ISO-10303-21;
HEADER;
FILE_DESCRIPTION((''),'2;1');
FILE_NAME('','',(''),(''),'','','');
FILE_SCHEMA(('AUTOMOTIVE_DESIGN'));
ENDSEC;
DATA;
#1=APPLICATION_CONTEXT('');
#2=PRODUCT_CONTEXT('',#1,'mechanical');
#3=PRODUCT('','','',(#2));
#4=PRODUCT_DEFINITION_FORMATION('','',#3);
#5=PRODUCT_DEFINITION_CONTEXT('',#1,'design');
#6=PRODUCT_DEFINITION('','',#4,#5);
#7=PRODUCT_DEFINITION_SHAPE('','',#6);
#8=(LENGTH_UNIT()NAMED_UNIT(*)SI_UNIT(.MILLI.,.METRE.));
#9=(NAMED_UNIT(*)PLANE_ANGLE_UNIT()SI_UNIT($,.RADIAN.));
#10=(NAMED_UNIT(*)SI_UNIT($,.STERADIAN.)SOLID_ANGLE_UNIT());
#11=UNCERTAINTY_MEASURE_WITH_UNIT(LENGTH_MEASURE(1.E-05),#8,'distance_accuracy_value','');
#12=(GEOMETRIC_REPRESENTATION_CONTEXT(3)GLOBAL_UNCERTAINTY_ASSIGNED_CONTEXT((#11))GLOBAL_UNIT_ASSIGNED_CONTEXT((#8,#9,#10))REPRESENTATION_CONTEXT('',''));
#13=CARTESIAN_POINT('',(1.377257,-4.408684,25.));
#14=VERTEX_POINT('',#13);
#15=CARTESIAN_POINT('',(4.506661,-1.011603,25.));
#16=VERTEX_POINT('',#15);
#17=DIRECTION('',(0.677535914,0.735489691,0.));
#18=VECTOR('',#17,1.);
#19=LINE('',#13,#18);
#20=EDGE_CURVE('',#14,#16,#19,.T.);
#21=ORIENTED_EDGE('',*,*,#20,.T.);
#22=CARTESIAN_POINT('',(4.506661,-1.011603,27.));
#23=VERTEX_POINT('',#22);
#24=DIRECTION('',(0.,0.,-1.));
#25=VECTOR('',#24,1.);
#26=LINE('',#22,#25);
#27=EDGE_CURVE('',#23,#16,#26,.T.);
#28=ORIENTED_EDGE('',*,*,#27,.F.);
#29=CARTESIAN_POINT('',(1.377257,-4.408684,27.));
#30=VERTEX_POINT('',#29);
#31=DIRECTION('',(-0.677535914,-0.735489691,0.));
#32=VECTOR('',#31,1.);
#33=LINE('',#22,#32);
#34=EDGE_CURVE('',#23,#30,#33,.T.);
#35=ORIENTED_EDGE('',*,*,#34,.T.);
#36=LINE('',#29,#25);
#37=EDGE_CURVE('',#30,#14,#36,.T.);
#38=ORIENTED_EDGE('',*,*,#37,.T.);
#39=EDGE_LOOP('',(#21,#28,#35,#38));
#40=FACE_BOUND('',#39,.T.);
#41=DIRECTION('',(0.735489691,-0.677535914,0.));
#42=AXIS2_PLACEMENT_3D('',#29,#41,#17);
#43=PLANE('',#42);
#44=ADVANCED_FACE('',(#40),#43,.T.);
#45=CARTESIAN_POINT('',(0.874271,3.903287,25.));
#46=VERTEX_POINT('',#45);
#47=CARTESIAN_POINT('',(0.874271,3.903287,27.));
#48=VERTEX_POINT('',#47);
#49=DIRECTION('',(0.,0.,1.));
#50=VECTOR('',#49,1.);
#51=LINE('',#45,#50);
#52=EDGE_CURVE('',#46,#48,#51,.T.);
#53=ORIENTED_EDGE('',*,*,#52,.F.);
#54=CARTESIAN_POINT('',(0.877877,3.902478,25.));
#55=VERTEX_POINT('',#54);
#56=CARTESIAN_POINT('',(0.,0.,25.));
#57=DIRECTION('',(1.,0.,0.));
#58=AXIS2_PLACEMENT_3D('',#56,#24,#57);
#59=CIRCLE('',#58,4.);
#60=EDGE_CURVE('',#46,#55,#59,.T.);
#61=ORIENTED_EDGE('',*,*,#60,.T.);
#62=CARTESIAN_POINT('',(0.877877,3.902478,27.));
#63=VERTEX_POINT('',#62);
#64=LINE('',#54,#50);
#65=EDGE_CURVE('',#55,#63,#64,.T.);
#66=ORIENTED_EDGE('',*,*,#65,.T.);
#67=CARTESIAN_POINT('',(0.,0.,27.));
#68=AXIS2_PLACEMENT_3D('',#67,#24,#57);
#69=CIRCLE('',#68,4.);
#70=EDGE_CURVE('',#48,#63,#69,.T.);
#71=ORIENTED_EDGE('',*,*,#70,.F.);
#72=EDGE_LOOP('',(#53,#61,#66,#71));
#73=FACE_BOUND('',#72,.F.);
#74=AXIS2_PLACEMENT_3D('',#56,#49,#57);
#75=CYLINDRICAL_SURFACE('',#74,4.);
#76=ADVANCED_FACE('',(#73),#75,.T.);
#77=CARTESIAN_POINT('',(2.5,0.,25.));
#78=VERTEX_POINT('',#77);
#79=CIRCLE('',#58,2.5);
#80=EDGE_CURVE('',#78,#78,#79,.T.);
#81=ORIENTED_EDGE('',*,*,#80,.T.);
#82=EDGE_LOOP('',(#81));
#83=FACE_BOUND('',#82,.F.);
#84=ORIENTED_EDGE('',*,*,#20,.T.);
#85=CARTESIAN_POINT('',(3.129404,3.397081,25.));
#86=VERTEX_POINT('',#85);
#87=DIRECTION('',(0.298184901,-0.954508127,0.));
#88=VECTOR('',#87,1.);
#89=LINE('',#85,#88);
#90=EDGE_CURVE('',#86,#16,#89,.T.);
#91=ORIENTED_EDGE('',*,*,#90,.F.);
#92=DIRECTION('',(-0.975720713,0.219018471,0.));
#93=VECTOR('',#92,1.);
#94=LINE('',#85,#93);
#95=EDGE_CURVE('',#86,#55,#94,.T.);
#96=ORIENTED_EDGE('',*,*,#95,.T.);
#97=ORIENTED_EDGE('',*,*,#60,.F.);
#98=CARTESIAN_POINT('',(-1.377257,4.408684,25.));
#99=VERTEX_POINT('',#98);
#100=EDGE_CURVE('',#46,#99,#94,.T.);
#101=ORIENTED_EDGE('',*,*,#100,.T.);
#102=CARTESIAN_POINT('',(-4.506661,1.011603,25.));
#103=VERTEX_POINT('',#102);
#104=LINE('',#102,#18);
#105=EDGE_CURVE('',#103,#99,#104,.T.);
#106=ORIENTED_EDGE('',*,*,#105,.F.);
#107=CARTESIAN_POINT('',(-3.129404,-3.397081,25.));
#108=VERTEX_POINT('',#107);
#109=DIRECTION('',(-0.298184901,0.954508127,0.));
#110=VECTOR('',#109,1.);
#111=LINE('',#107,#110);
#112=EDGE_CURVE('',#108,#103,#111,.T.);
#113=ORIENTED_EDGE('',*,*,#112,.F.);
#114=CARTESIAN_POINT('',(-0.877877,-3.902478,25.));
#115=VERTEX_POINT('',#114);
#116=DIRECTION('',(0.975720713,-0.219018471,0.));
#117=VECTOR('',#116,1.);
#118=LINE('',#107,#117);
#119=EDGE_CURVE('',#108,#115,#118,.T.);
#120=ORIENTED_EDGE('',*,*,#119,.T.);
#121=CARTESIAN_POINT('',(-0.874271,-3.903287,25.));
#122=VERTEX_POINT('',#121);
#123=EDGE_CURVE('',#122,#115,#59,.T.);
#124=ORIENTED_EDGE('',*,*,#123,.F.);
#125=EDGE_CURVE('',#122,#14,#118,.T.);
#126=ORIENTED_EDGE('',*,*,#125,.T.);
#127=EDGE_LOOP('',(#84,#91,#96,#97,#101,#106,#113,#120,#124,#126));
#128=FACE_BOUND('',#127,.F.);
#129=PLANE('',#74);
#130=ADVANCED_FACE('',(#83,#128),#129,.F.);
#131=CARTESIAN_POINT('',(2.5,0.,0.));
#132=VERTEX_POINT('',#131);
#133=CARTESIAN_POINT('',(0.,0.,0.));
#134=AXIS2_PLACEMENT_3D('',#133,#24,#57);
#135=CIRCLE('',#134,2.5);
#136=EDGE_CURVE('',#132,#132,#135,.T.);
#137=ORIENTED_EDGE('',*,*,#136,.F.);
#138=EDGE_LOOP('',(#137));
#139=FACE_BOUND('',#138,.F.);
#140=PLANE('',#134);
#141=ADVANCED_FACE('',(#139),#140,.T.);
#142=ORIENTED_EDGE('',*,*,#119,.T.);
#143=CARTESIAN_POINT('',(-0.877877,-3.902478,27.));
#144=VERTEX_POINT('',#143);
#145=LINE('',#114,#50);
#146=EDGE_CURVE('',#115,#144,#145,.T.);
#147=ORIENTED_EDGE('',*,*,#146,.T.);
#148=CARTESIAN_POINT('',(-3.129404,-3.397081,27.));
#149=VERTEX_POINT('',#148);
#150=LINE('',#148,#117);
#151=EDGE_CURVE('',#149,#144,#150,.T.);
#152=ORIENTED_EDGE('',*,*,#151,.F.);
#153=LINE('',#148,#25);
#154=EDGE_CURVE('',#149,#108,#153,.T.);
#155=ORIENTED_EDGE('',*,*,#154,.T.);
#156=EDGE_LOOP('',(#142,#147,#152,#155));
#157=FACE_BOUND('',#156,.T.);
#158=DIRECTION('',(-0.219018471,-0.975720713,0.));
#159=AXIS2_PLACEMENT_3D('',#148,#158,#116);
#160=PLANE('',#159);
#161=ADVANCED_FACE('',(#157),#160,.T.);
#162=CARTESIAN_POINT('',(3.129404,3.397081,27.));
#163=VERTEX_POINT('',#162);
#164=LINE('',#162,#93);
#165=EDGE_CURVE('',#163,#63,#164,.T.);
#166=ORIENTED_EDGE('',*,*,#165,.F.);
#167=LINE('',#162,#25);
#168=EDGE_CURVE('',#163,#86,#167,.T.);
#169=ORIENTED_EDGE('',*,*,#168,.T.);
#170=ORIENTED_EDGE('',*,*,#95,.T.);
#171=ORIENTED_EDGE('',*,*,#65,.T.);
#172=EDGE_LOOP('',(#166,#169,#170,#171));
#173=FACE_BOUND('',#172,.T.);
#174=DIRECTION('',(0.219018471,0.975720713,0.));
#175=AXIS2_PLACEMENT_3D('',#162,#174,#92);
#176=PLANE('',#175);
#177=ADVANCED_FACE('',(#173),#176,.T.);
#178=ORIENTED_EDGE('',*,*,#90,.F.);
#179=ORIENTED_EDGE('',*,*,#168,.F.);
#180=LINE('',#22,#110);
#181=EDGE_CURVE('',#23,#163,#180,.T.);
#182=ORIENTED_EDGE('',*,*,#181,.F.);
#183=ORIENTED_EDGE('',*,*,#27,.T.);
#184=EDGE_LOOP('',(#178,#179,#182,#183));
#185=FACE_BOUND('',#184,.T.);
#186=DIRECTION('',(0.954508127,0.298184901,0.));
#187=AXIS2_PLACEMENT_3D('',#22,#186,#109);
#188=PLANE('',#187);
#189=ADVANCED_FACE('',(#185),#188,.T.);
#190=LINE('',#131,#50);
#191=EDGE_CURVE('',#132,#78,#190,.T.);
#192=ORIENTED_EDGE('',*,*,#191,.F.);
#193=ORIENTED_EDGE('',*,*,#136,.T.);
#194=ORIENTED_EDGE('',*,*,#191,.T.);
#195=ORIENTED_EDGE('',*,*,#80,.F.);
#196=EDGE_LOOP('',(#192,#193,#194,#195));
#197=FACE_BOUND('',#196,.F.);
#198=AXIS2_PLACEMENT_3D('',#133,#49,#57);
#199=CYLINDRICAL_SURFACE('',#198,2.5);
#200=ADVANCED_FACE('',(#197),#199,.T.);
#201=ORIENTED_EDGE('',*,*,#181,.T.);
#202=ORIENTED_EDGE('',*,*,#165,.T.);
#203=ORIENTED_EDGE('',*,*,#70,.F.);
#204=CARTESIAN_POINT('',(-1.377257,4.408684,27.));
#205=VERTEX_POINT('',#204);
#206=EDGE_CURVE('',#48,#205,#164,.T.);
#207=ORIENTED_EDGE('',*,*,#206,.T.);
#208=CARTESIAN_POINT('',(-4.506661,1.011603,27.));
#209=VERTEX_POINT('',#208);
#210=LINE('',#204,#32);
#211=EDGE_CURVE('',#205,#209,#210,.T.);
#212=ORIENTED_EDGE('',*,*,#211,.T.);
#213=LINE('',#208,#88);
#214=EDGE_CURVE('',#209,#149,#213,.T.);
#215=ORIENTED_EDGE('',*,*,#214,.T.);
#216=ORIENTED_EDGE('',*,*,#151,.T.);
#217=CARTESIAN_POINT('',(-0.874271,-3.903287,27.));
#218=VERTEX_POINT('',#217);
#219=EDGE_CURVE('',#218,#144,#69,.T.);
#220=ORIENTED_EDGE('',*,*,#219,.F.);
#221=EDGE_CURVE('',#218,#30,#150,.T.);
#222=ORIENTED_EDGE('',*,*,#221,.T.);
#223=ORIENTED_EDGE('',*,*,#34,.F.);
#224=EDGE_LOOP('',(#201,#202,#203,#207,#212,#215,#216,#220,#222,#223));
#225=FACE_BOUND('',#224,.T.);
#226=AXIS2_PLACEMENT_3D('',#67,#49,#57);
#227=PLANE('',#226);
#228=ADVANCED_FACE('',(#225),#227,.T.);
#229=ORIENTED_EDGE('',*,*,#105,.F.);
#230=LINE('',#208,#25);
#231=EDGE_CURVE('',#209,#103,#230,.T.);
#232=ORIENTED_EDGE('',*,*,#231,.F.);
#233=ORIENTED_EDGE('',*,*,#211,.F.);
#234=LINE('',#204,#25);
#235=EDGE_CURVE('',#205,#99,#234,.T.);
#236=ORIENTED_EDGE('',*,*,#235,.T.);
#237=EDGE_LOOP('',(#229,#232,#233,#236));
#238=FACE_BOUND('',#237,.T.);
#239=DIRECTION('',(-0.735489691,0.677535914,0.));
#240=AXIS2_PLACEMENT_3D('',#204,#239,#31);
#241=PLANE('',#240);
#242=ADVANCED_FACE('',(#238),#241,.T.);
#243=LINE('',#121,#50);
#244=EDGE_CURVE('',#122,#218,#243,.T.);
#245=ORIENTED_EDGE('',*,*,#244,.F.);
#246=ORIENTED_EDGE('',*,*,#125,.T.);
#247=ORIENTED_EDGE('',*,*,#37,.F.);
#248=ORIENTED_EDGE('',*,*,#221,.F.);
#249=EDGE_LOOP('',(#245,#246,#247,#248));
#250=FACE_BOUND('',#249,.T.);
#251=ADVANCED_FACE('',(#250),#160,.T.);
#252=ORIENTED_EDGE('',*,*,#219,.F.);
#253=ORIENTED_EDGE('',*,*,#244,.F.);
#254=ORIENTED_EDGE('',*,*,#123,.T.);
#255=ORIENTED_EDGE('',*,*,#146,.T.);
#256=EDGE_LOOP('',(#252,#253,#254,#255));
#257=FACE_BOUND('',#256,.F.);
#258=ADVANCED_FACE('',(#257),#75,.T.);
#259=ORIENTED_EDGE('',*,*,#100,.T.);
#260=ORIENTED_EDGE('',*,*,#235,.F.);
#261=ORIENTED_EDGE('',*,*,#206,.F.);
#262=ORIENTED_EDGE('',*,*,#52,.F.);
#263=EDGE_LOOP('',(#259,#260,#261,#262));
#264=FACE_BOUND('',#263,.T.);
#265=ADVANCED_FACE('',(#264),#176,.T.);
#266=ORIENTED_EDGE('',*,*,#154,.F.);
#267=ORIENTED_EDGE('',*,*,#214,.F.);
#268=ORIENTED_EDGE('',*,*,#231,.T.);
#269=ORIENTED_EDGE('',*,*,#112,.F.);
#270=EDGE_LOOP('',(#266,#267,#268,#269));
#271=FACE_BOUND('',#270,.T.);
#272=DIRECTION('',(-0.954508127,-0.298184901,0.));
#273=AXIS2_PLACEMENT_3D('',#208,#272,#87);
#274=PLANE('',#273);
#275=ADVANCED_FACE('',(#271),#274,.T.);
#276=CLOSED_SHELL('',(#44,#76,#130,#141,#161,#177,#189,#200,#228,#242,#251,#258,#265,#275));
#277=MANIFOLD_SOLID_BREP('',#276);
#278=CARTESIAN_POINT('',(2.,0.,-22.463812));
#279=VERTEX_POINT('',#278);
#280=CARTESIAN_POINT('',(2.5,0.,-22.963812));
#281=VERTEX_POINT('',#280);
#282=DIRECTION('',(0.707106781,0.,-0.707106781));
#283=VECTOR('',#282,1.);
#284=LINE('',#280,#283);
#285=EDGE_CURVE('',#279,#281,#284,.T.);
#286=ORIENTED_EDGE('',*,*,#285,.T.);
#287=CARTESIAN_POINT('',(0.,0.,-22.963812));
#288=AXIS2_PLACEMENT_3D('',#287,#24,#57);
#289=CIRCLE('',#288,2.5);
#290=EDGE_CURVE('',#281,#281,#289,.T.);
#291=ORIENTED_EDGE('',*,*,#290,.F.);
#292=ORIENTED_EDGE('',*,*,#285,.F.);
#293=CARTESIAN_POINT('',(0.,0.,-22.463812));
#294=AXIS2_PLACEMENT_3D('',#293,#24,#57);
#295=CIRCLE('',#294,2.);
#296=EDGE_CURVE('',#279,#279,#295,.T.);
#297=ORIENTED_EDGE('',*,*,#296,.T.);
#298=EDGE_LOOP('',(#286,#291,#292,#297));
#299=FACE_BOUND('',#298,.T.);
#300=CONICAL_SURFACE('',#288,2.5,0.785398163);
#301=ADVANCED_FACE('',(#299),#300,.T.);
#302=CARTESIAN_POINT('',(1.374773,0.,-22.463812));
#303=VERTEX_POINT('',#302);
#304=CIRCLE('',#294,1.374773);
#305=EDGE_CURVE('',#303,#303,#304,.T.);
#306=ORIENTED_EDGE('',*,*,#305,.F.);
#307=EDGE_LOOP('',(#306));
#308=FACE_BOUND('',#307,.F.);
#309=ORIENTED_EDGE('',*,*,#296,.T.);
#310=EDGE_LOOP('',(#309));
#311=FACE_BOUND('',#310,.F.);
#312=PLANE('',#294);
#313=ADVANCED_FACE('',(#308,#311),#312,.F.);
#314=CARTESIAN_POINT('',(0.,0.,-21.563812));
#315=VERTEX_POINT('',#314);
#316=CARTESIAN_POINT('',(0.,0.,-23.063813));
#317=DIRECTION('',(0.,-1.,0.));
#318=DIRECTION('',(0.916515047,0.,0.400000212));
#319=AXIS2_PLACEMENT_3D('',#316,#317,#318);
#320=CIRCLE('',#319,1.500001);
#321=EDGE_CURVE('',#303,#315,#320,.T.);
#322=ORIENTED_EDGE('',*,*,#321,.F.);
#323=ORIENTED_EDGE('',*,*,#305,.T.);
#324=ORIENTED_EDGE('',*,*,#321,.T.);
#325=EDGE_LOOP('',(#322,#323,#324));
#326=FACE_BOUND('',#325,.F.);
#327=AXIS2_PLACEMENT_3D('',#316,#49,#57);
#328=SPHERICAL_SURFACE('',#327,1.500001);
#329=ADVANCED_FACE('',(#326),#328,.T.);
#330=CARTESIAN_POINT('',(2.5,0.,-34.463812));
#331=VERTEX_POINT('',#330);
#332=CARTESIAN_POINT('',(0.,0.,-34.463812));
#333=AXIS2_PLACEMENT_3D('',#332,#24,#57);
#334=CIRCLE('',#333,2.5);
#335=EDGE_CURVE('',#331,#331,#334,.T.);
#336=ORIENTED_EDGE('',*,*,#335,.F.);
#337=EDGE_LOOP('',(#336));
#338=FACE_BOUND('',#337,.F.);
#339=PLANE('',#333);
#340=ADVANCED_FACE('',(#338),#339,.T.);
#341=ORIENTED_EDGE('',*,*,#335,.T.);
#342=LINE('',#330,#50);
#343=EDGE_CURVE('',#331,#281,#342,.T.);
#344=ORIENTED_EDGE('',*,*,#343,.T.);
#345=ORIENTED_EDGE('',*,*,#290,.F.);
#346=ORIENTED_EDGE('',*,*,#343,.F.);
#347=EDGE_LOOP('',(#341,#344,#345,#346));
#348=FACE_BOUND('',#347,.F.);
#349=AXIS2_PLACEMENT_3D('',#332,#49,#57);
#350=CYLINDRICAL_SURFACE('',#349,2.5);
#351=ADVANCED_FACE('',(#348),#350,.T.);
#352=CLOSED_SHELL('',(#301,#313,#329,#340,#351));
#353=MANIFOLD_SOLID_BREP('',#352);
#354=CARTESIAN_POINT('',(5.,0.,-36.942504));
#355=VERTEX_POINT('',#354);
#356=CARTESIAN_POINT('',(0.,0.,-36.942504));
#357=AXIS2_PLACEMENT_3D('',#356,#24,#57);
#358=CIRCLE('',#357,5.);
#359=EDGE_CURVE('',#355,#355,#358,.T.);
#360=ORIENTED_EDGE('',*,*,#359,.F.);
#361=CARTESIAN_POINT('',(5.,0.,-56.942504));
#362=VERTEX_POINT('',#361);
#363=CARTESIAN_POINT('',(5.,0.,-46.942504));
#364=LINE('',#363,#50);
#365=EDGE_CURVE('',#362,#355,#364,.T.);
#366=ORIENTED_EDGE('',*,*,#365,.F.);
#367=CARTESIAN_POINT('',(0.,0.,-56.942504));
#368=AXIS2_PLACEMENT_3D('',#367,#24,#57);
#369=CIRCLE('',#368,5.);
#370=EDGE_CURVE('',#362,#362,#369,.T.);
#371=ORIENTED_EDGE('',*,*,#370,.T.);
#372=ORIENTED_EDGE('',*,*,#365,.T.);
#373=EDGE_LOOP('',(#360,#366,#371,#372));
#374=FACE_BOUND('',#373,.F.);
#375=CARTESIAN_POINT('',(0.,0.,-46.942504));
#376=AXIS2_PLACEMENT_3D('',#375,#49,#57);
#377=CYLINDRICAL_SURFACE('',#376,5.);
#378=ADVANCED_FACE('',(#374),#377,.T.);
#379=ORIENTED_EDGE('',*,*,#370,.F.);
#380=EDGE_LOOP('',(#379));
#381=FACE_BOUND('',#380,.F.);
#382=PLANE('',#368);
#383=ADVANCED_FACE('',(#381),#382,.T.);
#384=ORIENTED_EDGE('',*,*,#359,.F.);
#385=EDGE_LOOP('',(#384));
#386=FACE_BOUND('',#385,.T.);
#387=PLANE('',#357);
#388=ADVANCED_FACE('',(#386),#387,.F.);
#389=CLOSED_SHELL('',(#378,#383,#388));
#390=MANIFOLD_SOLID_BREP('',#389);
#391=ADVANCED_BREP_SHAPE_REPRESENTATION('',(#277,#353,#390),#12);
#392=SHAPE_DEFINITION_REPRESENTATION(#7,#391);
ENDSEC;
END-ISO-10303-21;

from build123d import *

# Parameters (mm, degrees)
F0_W     = 5
F0_H     = 20
F3_DEPTH = 2
F4_SIZE  = 0.5


with BuildPart() as f1:
    # F0 (on Front) → F1 (revolve)
    with BuildSketch(Plane.XZ):
        Polygon((0, 27), (0, 0), (2.5, 0), (2.5, 25), (4, 25), (4, 27), align=None)
        with BuildLine():
            Line((2.5, -22.463812), (1.374773, -22.463812))
            ThreePointArc((1.374773, -22.463812), (0.821584, -21.808822), (0, -21.563812))
            Line((0, -21.563812), (0, -22.463812))
            Line((0, -22.463812), (0, -34.463812))
            Line((0, -34.463812), (2.5, -34.463812))
            Line((2.5, -34.463812), (2.5, -22.463812))
        make_face()
        with Locations((2.5, -46.942504)):
            Rectangle(F0_W, F0_H)
    revolve(axis=Axis((0, 0, 13.5), (0, 0, -1)))

    # F2 (on face) → F3 (join)
    with BuildSketch(Plane.XY.offset(27)):
        Polygon((1.377257, -4.408684), (4.506661, -1.011603), (3.129404, 3.397081), (-1.377257, 4.408684), (-4.506661, 1.011603), (-3.129404, -3.397081), align=None)
    extrude(amount=-F3_DEPTH)

    # F4
    f4_edges = [f1.edges().sort_by_distance(p)[0] for p in [
        (-2.5, 0, -22.463812),
    ]]
    chamfer(f4_edges, length=F4_SIZE)


solid = f1.part
